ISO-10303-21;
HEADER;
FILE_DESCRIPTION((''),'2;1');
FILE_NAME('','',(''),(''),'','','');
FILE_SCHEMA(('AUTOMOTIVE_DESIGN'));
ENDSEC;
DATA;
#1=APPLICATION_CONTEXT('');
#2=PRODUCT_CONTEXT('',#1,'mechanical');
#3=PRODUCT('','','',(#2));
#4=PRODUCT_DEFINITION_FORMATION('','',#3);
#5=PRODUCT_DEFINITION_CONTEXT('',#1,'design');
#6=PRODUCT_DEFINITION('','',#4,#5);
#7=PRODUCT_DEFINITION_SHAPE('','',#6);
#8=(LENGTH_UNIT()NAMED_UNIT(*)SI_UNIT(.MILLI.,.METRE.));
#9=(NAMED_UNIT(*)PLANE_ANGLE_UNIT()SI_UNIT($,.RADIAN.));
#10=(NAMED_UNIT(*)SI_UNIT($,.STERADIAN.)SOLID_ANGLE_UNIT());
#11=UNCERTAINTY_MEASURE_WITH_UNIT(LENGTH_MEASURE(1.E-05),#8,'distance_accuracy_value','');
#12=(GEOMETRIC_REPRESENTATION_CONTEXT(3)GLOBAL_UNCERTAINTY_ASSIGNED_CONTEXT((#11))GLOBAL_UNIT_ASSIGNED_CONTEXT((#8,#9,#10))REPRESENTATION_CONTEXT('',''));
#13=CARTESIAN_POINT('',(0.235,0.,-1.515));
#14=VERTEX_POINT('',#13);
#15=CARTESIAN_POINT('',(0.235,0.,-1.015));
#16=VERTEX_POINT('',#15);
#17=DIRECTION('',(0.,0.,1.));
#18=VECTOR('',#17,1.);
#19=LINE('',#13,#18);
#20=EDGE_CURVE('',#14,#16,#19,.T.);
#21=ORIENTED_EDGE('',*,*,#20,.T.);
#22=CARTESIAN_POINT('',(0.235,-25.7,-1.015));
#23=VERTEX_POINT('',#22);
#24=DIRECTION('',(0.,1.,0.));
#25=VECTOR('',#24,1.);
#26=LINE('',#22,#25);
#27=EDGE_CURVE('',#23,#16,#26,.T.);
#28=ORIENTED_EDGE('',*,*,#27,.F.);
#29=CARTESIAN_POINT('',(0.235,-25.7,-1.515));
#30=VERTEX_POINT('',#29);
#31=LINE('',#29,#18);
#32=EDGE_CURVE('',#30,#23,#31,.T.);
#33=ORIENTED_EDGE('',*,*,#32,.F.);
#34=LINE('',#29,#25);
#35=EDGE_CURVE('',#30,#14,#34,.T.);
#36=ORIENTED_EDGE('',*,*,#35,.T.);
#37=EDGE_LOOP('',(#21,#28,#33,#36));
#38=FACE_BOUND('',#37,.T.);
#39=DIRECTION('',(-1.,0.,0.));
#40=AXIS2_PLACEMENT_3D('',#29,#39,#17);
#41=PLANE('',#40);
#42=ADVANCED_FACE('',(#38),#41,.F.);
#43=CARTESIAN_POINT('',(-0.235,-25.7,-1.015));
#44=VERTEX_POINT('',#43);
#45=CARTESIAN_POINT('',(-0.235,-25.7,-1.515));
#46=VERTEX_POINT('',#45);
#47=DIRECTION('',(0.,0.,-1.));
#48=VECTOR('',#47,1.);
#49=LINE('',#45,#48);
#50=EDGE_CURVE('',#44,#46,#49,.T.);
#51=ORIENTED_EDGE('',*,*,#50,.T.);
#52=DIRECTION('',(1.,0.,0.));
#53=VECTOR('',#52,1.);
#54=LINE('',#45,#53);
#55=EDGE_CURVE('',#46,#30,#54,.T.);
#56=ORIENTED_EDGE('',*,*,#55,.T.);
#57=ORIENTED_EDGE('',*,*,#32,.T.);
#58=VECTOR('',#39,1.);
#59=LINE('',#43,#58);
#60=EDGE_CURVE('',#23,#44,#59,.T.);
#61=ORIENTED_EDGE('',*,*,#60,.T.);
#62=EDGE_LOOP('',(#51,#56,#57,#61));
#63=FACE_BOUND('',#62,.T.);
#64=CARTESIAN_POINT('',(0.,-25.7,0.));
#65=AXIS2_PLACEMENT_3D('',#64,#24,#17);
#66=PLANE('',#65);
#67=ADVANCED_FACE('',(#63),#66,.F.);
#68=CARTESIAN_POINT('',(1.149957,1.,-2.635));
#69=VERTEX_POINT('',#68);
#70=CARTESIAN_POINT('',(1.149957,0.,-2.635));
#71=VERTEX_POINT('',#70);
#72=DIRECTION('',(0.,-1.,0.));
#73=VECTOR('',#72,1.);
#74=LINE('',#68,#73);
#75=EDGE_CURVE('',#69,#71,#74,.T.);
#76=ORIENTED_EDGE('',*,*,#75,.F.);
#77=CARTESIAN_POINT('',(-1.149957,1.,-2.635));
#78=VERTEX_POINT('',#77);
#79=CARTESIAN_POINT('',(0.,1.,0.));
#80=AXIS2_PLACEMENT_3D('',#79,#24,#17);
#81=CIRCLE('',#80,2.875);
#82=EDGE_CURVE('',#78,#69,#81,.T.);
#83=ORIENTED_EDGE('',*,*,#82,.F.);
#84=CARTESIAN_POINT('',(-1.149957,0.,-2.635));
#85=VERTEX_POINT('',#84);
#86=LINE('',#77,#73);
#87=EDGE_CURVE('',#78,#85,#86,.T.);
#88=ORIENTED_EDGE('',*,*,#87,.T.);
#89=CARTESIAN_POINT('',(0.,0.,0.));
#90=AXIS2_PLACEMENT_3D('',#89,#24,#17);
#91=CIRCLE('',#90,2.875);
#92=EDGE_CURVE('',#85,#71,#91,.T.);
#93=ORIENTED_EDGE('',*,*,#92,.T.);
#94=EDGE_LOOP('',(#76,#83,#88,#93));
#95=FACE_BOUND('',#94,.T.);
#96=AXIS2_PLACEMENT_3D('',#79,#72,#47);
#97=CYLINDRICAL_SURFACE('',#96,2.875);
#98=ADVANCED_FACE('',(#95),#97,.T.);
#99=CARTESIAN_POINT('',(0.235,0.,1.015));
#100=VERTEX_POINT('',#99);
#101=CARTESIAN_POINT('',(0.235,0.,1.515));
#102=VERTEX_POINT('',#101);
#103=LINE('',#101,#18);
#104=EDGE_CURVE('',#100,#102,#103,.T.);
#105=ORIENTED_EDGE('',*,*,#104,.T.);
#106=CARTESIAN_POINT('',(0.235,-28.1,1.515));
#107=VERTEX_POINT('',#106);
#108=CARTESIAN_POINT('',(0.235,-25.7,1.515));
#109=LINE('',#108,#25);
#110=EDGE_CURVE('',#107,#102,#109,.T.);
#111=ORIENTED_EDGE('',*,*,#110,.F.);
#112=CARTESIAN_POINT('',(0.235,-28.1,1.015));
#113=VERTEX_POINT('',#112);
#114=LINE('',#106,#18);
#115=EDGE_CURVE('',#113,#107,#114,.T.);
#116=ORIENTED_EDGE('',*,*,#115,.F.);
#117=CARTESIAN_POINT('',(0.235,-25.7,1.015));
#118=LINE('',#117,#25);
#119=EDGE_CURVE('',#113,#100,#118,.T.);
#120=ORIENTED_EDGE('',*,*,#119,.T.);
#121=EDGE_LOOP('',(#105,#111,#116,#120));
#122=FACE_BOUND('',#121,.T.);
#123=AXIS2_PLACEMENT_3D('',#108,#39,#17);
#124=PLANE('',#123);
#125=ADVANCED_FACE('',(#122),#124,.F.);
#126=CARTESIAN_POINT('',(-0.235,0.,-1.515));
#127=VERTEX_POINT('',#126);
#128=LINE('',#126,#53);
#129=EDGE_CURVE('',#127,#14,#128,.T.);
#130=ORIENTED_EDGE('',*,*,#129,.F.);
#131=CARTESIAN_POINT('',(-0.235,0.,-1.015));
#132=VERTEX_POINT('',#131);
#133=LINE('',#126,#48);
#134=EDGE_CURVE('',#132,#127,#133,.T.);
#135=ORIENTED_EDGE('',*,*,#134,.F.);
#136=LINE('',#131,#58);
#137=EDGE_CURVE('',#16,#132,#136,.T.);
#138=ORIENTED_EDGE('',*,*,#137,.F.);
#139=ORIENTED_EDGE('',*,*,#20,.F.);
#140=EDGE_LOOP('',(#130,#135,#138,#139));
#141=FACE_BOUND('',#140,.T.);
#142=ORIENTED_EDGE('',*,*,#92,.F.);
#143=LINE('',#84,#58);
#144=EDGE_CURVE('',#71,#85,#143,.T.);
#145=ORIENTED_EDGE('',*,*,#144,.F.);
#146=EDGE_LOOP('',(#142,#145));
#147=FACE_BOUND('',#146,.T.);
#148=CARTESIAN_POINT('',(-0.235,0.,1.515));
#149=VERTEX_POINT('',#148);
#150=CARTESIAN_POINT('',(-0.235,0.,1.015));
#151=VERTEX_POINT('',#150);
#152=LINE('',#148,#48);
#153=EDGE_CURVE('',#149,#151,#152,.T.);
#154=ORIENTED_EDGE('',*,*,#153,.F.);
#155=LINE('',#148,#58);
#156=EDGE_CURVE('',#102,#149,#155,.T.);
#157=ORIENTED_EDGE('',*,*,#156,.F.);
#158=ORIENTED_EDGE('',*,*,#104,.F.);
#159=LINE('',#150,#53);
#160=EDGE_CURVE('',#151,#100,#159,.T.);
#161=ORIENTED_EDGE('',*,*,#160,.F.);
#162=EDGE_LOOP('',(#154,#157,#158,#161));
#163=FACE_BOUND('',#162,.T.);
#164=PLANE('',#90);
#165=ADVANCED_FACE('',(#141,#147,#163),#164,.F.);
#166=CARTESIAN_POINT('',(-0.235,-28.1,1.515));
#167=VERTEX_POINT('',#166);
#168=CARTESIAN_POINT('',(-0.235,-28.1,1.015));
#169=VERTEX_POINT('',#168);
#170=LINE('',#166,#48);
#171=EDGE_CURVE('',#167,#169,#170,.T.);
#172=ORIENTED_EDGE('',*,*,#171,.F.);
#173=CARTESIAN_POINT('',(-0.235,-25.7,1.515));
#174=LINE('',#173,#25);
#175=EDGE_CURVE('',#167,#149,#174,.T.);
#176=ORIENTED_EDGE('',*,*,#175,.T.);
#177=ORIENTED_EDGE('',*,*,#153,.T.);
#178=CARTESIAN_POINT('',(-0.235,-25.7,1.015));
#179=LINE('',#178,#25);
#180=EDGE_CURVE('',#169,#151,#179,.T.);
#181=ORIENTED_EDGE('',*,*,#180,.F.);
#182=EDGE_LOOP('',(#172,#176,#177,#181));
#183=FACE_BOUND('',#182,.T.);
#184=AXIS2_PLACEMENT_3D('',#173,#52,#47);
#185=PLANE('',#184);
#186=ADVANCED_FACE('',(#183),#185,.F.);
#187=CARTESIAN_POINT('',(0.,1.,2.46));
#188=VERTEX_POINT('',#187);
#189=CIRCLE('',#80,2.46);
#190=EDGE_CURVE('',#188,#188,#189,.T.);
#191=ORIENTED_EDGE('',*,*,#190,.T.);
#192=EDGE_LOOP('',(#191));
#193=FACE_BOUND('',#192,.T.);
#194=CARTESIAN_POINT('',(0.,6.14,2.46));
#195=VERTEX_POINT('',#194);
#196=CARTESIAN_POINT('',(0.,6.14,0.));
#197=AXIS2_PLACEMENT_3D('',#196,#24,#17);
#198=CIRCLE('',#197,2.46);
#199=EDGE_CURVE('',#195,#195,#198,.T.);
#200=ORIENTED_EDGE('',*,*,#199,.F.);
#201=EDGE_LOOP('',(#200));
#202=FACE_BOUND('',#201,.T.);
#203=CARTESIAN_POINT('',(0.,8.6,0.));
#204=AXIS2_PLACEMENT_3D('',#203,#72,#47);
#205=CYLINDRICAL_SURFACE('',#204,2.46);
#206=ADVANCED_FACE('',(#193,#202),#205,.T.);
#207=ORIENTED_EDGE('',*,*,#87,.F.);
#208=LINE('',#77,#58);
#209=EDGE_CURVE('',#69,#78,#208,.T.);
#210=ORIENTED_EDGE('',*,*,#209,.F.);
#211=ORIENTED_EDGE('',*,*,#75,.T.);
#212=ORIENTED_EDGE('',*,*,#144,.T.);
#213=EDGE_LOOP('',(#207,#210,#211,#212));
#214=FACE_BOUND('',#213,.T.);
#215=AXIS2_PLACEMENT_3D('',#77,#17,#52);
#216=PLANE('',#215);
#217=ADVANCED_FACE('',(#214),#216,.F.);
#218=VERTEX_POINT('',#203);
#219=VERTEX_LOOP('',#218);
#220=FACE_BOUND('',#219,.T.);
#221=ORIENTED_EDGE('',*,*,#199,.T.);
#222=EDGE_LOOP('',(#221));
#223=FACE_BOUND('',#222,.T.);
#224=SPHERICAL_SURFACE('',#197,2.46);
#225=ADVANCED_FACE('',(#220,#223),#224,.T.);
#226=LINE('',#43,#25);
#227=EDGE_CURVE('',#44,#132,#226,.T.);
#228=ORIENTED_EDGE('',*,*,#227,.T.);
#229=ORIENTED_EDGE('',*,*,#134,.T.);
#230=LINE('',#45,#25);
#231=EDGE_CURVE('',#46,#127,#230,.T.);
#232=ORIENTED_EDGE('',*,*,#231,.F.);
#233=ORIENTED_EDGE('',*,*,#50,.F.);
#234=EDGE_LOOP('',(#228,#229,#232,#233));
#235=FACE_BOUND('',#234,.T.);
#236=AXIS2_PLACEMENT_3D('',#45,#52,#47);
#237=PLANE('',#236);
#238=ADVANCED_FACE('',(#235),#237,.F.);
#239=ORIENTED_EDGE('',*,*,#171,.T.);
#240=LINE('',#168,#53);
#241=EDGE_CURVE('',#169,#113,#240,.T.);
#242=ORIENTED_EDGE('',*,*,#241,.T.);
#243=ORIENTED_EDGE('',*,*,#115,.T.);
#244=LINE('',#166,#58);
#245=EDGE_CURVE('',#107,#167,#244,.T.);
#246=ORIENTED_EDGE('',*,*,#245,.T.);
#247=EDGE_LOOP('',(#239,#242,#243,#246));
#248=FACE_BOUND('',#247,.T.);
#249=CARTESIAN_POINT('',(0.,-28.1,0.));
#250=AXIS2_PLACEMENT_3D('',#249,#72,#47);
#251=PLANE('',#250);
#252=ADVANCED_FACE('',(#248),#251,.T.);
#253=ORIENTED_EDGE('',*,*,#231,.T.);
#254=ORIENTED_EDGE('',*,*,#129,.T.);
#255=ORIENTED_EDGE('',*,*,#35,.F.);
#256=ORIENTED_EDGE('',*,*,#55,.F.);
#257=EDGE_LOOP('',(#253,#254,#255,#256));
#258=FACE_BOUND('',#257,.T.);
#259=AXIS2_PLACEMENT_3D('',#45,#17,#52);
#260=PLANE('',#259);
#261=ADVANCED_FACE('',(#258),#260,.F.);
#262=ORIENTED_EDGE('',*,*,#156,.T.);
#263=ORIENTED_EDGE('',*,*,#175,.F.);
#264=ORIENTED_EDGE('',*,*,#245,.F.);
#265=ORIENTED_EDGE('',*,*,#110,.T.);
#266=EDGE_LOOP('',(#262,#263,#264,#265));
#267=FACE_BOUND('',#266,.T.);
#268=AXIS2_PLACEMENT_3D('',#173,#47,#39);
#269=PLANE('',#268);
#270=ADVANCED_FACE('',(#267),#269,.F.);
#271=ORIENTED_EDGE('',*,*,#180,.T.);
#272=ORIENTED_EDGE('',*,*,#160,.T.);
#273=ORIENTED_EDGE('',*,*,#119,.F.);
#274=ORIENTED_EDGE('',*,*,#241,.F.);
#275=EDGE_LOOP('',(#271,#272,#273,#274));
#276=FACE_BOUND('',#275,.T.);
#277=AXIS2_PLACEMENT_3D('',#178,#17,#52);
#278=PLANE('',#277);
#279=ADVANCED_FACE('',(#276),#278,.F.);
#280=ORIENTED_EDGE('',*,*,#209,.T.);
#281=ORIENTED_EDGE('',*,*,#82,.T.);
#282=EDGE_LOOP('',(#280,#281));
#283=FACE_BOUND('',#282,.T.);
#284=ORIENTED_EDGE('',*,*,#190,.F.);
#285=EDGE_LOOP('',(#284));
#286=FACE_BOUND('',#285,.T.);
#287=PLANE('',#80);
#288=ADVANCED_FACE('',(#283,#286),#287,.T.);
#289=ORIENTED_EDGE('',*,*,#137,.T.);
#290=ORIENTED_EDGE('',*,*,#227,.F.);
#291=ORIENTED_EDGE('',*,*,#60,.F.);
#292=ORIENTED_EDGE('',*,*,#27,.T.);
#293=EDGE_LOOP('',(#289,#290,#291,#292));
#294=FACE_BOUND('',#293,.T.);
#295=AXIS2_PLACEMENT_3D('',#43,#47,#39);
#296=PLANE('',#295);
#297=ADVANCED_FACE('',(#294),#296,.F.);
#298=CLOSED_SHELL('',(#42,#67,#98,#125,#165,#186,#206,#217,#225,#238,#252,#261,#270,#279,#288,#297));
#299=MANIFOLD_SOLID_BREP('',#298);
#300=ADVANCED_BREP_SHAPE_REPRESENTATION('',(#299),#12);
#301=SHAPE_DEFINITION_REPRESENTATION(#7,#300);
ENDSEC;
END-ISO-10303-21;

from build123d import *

# Parameters (mm, degrees)
EXTRUDE_1_DEPTH = 1
SKETCH_2_R      = 2.46
EXTRUDE_2_DEPTH = 7.6
SKETCH_4_W      = 0.47
SKETCH_4_H      = 0.5
EXTRUDE_3_DEPTH = 25.7
SKETCH_5_W      = 0.47
SKETCH_5_H      = 0.5
EXTRUDE_4_DEPTH = 2.4


with BuildPart() as part:
    # 草图1 → 凸台-拉伸1 (new body)
    with BuildSketch(Plane(origin=(0, 0, 0), x_dir=(1, 0, 0), z_dir=(0, 1, 0))):
        with BuildLine():
            Line((-1.149957, 2.635), (1.149957, 2.635))
            ThreePointArc((1.149957, 2.635), (0, -2.875), (-1.149957, 2.635))
        make_face()
    extrude(amount=EXTRUDE_1_DEPTH)

    # 草图2 → 凸台-拉伸2 (add)
    with BuildSketch(Plane(origin=(0, 1, 0), x_dir=(1, 0, 0), z_dir=(0, 1, 0))):
        Circle(SKETCH_2_R)
    extrude(amount=EXTRUDE_2_DEPTH)

    # 草图3 → 切除-旋转1 (revolve, cut)
    with BuildSketch(Plane(origin=(0, 0, 0), x_dir=(0, 0, -1), z_dir=(1, 0, 0))):
        with BuildLine():
            Line((-2.46, 6.14), (-4.608425, 6.14))
            Line((-4.608425, 6.14), (-4.608425, 10.205518))
            Line((-4.608425, 10.205518), (0, 10.205518))
            Line((0, 10.205518), (0, 8.6))
            ThreePointArc((0, 8.6), (-1.739483, 7.879483), (-2.46, 6.14))
        make_face()
    revolve(axis=Axis((0, 10.969013, 0), (0, -1, 0)), mode=Mode.SUBTRACT)

    # 草图4 → 凸台-拉伸3 (add)
    with BuildSketch(Plane.XZ):
        with Locations((0, -1.265)):
            Rectangle(SKETCH_4_W, SKETCH_4_H)
        with Locations((0, 1.265)):
            Rectangle(SKETCH_4_W, SKETCH_4_H)
    extrude(amount=EXTRUDE_3_DEPTH)

    # 草图5 → 凸台-拉伸4 (add)
    with BuildSketch(Plane.XZ.offset(25.7)):
        with Locations((0, 1.265)):
            Rectangle(SKETCH_5_W, SKETCH_5_H)
    extrude(amount=EXTRUDE_4_DEPTH)


solid = part.part
